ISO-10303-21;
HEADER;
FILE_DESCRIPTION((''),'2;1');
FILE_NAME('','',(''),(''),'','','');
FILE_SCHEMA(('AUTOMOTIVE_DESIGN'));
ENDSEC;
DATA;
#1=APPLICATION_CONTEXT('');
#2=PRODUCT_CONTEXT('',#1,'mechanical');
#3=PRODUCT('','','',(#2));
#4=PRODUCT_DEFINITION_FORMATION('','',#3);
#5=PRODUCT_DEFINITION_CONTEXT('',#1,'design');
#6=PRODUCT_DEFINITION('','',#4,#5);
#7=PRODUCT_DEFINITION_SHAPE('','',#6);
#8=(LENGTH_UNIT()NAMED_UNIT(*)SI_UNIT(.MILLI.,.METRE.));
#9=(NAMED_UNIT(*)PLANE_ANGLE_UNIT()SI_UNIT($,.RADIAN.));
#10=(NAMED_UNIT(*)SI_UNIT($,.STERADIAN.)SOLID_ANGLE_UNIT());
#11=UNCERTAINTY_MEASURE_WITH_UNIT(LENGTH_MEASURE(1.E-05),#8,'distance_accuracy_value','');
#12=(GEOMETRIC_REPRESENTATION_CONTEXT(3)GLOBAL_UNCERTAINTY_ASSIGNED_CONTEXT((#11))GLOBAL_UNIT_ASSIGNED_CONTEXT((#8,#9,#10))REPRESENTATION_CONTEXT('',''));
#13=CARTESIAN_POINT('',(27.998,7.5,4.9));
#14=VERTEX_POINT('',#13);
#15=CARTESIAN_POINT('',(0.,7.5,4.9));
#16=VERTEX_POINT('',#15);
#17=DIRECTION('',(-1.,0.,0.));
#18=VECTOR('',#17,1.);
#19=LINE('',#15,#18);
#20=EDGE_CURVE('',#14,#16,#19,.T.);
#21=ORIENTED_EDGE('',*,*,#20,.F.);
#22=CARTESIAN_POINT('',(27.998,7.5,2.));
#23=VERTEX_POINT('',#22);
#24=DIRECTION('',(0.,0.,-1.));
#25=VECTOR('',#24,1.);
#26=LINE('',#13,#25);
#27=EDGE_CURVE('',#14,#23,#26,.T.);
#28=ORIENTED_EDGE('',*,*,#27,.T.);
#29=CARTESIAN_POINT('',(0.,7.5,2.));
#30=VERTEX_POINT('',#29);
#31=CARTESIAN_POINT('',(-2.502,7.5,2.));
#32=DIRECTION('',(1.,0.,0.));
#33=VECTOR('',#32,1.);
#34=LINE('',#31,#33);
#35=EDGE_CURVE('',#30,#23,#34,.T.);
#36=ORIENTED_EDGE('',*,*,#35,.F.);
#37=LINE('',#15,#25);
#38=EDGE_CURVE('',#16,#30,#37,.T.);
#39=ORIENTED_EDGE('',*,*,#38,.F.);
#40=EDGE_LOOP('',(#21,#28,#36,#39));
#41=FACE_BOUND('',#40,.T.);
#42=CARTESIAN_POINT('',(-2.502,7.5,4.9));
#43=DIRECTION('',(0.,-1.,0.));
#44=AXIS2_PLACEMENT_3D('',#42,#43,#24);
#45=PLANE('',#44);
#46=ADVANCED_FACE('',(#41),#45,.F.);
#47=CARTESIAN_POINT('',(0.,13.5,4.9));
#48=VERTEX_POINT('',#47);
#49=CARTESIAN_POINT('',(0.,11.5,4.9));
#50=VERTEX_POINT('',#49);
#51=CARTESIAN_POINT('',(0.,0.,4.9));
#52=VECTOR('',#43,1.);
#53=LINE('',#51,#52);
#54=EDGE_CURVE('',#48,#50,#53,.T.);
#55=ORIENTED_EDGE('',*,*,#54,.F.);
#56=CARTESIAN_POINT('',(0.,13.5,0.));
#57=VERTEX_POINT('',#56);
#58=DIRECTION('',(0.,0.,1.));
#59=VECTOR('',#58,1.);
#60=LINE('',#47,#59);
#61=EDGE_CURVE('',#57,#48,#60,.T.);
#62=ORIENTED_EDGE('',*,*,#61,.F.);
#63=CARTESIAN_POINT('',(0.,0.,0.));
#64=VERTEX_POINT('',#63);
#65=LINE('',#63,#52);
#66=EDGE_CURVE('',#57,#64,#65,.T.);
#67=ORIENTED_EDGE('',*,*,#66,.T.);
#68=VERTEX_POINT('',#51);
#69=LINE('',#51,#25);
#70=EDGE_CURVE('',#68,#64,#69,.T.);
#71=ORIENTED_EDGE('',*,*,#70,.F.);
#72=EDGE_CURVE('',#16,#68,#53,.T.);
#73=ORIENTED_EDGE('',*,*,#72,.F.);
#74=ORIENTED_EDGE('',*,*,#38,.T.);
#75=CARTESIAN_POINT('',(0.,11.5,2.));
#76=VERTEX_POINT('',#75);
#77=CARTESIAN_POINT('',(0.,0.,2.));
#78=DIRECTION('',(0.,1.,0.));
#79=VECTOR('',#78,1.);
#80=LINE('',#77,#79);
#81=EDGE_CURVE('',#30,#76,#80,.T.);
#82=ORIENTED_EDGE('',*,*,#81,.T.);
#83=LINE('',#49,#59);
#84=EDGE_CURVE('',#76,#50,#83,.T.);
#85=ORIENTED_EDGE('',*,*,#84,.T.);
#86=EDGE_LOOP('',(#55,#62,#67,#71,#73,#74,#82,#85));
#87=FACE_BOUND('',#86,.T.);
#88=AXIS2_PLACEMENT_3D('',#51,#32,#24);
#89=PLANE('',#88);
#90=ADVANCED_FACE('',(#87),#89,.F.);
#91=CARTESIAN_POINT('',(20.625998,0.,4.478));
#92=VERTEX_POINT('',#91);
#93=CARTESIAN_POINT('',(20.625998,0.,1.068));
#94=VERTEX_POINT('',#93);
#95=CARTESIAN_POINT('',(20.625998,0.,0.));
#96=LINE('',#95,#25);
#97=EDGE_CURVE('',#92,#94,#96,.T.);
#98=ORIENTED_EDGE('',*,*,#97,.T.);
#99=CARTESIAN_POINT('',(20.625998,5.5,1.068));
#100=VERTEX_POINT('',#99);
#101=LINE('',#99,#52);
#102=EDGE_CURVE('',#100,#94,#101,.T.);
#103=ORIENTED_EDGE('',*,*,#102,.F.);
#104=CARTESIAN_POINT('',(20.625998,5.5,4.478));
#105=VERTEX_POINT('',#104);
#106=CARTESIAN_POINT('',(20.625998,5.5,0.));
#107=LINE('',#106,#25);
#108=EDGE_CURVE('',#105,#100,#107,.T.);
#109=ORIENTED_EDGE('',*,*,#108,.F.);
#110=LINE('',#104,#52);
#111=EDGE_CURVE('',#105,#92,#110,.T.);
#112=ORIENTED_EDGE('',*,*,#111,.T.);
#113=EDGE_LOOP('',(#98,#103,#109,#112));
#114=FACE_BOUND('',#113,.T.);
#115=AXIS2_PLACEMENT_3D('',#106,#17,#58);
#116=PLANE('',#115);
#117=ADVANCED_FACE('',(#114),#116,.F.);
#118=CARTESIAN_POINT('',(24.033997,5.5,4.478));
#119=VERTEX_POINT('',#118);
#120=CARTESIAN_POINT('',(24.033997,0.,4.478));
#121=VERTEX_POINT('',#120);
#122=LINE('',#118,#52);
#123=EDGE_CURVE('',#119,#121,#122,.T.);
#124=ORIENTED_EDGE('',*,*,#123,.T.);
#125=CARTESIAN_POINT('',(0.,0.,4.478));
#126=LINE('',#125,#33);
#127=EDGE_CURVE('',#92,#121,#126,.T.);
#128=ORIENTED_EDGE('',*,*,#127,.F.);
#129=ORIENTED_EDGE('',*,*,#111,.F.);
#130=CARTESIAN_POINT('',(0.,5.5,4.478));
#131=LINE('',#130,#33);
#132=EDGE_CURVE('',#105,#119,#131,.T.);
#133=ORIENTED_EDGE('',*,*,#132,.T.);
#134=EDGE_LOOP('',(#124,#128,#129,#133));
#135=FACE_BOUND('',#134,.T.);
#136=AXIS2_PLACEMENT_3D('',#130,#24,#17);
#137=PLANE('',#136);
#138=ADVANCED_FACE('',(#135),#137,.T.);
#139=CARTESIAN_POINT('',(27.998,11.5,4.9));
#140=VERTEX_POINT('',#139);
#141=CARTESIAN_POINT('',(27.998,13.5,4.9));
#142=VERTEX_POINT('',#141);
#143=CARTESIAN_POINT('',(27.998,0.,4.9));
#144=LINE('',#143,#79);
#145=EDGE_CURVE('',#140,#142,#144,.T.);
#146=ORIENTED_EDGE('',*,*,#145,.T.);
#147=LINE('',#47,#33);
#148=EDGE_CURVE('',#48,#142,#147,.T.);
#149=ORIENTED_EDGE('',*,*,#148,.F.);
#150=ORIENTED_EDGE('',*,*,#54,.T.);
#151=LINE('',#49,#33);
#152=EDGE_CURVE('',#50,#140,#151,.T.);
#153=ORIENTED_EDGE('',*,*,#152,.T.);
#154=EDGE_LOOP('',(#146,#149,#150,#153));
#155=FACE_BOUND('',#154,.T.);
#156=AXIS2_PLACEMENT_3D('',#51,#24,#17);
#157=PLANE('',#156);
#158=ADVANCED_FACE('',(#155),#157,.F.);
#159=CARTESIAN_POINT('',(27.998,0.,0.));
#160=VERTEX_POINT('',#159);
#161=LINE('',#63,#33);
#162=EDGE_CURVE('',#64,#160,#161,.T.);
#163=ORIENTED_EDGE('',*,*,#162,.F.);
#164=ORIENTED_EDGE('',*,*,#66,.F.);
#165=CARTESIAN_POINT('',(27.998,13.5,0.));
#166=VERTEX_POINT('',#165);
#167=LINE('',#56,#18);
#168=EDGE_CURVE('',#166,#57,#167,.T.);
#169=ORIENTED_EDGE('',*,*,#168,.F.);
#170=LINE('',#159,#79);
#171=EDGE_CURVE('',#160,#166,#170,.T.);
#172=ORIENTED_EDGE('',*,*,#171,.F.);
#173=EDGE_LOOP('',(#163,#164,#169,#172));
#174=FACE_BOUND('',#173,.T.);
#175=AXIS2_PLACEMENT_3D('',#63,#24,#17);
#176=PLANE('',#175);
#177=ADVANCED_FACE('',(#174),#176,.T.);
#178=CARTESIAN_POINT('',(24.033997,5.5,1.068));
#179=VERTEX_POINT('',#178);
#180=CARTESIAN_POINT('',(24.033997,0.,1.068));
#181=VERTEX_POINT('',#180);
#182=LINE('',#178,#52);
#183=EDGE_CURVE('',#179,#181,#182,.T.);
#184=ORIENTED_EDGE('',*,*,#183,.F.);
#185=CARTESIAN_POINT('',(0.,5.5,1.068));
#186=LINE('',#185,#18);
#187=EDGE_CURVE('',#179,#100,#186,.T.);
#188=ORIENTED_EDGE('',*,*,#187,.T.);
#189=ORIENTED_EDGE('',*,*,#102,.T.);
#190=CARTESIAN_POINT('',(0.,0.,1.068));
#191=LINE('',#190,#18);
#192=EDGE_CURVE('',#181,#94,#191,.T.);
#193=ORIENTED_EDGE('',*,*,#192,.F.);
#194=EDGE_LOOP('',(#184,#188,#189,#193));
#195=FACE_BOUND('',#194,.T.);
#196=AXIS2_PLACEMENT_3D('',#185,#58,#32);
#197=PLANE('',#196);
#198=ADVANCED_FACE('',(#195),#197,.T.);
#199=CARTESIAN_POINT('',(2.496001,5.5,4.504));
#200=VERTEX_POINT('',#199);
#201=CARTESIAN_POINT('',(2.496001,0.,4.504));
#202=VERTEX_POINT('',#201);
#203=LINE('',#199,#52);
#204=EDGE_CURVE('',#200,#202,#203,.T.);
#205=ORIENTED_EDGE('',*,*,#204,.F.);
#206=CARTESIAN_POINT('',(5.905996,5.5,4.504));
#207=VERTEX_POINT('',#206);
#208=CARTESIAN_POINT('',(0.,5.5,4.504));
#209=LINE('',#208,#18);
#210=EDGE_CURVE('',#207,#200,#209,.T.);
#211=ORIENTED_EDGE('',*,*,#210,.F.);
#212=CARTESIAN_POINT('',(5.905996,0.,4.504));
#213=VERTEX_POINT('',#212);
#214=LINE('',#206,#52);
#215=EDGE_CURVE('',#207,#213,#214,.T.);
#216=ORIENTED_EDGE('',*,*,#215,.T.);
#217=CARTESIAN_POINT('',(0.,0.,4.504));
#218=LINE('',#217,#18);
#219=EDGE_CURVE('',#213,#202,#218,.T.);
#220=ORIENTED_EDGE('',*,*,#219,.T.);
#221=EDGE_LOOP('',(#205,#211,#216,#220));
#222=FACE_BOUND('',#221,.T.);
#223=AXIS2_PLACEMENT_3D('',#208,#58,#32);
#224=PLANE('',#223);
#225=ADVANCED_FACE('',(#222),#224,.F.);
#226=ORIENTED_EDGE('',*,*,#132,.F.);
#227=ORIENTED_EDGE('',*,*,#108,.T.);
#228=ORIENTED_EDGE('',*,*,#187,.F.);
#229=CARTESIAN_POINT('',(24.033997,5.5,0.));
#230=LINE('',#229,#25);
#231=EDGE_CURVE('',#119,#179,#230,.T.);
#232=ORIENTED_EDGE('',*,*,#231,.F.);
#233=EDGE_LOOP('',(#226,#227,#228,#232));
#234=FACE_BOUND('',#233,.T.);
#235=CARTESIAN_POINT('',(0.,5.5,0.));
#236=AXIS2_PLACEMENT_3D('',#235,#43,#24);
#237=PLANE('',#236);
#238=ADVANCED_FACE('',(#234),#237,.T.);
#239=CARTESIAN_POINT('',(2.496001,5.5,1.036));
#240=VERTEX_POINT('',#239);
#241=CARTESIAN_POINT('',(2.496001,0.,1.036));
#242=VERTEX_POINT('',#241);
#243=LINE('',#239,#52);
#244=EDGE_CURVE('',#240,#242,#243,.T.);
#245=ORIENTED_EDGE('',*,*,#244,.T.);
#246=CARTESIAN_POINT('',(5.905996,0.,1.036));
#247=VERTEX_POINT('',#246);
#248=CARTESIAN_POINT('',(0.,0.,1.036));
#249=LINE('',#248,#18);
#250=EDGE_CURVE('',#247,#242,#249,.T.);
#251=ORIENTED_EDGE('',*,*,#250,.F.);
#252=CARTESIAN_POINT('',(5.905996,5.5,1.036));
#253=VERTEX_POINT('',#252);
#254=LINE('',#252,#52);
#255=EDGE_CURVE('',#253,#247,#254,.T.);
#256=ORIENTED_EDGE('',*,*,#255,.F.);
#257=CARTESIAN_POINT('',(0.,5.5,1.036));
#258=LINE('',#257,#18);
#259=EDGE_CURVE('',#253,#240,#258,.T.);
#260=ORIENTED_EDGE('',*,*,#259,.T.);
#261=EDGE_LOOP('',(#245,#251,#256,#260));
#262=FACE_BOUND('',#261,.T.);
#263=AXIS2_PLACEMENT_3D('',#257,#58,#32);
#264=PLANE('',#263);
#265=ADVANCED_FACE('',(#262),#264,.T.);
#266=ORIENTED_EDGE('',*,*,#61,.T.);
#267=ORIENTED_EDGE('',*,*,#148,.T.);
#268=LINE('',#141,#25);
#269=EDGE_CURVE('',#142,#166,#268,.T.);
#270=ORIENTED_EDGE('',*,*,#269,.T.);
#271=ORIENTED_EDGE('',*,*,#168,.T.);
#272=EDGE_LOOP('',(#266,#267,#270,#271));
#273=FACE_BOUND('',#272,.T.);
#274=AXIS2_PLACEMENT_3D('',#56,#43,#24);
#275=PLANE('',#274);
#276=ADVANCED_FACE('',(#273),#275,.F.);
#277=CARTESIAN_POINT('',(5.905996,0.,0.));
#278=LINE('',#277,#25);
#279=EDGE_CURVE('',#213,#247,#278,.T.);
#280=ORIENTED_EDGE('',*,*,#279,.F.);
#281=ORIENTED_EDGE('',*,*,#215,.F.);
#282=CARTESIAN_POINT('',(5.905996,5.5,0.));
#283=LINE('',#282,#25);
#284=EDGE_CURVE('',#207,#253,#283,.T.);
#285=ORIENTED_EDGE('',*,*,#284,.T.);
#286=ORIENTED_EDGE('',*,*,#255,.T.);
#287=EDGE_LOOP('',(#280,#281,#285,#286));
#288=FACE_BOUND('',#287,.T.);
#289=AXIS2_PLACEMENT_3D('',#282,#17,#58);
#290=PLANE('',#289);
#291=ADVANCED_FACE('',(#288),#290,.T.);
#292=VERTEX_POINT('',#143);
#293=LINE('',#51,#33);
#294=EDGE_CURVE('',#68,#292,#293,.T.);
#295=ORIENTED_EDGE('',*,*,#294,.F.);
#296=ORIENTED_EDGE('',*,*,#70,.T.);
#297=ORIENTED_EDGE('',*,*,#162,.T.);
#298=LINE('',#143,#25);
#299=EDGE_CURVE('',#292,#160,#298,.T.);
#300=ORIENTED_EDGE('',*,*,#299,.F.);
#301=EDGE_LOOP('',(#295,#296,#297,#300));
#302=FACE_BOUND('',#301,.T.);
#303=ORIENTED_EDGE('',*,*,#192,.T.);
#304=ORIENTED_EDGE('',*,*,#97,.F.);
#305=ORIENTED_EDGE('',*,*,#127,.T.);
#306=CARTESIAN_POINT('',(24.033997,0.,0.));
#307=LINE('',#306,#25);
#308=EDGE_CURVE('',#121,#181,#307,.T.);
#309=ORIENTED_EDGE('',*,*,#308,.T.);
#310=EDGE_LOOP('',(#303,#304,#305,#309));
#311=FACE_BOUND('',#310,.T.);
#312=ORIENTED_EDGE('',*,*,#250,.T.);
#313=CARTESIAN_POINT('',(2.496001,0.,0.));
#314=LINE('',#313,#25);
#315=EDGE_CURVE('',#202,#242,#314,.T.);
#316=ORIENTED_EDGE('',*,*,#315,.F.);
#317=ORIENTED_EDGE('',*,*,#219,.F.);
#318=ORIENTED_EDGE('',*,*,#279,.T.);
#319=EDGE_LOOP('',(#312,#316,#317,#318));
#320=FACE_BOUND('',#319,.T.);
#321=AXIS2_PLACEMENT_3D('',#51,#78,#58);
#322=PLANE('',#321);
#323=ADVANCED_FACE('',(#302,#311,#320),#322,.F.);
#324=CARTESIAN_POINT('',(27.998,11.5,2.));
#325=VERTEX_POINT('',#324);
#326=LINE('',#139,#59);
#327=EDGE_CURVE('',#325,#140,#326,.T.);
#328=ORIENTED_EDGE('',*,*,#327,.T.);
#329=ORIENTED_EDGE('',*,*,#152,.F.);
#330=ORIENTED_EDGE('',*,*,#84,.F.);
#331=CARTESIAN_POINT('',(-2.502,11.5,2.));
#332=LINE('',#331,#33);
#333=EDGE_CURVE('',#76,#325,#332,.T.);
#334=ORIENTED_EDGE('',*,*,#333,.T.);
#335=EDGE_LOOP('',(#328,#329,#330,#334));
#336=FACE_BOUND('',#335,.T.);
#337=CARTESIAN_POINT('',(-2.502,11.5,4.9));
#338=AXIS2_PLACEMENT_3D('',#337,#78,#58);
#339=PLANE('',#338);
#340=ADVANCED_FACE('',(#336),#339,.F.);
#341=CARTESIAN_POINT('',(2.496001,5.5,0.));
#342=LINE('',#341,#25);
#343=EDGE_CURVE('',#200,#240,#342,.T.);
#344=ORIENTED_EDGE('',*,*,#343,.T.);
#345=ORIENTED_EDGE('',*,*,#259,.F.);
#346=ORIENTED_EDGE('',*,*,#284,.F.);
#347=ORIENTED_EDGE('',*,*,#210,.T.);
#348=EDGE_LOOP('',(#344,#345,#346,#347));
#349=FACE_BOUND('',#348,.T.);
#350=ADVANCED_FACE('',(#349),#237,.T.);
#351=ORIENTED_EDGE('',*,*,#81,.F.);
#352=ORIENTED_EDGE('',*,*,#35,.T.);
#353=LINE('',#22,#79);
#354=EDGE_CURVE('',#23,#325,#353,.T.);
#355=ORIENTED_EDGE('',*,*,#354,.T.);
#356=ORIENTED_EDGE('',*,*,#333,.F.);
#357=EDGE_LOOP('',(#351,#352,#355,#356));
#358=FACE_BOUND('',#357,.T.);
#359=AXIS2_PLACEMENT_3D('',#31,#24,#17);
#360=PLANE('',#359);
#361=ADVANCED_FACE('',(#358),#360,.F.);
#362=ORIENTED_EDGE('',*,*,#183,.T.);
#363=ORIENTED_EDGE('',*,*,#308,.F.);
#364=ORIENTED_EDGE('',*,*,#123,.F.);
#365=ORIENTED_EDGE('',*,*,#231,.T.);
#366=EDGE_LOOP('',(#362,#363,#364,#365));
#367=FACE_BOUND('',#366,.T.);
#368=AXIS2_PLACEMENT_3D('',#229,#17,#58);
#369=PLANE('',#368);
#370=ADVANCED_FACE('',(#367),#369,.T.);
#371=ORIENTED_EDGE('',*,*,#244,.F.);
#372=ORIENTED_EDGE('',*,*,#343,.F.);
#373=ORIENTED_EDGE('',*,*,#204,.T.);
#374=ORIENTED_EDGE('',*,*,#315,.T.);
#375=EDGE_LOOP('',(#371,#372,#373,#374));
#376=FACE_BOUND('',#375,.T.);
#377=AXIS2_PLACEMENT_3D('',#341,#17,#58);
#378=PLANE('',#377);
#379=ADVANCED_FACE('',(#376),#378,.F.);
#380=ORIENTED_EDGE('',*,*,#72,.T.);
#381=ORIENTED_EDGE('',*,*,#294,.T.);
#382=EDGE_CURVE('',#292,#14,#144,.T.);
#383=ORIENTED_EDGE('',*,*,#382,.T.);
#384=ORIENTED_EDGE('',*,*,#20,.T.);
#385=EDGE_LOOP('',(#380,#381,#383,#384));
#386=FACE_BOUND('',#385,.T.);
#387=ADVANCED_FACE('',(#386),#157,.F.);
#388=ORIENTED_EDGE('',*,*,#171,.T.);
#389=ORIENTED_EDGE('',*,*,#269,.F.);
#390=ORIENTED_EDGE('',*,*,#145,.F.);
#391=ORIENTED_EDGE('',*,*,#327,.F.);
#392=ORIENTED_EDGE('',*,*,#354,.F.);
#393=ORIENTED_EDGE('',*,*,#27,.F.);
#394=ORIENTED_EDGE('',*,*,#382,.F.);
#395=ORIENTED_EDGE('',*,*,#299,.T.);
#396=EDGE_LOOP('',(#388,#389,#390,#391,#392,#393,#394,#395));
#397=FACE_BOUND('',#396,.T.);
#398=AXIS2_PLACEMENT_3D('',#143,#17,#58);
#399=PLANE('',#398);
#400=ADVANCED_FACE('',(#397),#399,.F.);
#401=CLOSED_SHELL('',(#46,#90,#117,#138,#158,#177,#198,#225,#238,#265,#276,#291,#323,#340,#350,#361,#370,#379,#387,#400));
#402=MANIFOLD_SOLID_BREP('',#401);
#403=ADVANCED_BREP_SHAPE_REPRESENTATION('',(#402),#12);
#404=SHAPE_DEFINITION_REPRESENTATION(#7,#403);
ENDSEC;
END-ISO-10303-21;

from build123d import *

# Parameters (mm, degrees)
SKETCH1_W           = 27.99800038
SKETCH1_H           = 15
BOSS_EXTRUDE1_DEPTH = 4.9
SKETCH3_W           = 3.40799886
SKETCH3_H           = 3.410000155
SKETCH3_W_2         = 2.90799886
SKETCH3_H_2         = 2.910000155
SKETCH3_W_3         = 3.409995615
SKETCH3_H_3         = 3.468000248
SKETCH3_W_4         = 2.909995615
SKETCH3_H_4         = 2.968000248
CUT_EXTRUDE1_DEPTH  = 5.5
SKETCH4_W           = 2.9
SKETCH4_H           = 4
CUT_EXTRUDE2_DEPTH  = 30.5
SKETCH5_W           = 27.99800038
SKETCH5_H           = 4.9
CUT_EXTRUDE3_DEPTH  = 1.5


with BuildPart() as part:
    # Sketch1 → Boss-Extrude1 (new body)
    with BuildSketch(Plane.XY):
        with Locations((13.99900019, 7.5)):
            Rectangle(SKETCH1_W, SKETCH1_H)
    extrude(amount=BOSS_EXTRUDE1_DEPTH)

    # Sketch3 → Cut-Extrude1 (cut)
    # profile 1 of 4: a face of its own
    with BuildSketch(Plane.XZ):
        with Locations((22.329997268, 2.772999986)):
            Rectangle(SKETCH3_W, SKETCH3_H)
        with Locations((22.329997268, 2.772999986)):
            Rectangle(SKETCH3_W_2, SKETCH3_H_2, mode=Mode.SUBTRACT)
    # profile 2 of 4: a face of its own
    with BuildSketch(Plane.XZ):
        with Locations((22.329997268, 2.772999986)):
            Rectangle(SKETCH3_W_2, SKETCH3_H_2)
    # profile 3 of 4: a face of its own
    with BuildSketch(Plane.XZ):
        with Locations((4.200998691, 2.770000137)):
            Rectangle(SKETCH3_W_3, SKETCH3_H_3)
        with Locations((4.200998691, 2.770000137)):
            Rectangle(SKETCH3_W_4, SKETCH3_H_4, mode=Mode.SUBTRACT)
    # profile 4 of 4: a face of its own
    with BuildSketch(Plane.XZ):
        with Locations((4.200998691, 2.770000137)):
            Rectangle(SKETCH3_W_4, SKETCH3_H_4)
    extrude(amount=-CUT_EXTRUDE1_DEPTH, mode=Mode.SUBTRACT)

    # Sketch4 → Cut-Extrude2 (cut)
    with BuildSketch(Plane(origin=(27.99800038, 0, 0), x_dir=(0, 0, -1), z_dir=(1, 0, 0))):
        with Locations((-3.45, 9.5)):
            Rectangle(SKETCH4_W, SKETCH4_H)
    extrude(amount=-CUT_EXTRUDE2_DEPTH, mode=Mode.SUBTRACT)

    # Sketch5 → Cut-Extrude3 (cut)
    with BuildSketch(Plane(origin=(0, 15, 0), x_dir=(1, 0, 0), z_dir=(0, 1, 0))):
        with Locations((13.99900019, -2.45)):
            Rectangle(SKETCH5_W, SKETCH5_H)
    extrude(amount=-CUT_EXTRUDE3_DEPTH, mode=Mode.SUBTRACT)


solid = part.part
